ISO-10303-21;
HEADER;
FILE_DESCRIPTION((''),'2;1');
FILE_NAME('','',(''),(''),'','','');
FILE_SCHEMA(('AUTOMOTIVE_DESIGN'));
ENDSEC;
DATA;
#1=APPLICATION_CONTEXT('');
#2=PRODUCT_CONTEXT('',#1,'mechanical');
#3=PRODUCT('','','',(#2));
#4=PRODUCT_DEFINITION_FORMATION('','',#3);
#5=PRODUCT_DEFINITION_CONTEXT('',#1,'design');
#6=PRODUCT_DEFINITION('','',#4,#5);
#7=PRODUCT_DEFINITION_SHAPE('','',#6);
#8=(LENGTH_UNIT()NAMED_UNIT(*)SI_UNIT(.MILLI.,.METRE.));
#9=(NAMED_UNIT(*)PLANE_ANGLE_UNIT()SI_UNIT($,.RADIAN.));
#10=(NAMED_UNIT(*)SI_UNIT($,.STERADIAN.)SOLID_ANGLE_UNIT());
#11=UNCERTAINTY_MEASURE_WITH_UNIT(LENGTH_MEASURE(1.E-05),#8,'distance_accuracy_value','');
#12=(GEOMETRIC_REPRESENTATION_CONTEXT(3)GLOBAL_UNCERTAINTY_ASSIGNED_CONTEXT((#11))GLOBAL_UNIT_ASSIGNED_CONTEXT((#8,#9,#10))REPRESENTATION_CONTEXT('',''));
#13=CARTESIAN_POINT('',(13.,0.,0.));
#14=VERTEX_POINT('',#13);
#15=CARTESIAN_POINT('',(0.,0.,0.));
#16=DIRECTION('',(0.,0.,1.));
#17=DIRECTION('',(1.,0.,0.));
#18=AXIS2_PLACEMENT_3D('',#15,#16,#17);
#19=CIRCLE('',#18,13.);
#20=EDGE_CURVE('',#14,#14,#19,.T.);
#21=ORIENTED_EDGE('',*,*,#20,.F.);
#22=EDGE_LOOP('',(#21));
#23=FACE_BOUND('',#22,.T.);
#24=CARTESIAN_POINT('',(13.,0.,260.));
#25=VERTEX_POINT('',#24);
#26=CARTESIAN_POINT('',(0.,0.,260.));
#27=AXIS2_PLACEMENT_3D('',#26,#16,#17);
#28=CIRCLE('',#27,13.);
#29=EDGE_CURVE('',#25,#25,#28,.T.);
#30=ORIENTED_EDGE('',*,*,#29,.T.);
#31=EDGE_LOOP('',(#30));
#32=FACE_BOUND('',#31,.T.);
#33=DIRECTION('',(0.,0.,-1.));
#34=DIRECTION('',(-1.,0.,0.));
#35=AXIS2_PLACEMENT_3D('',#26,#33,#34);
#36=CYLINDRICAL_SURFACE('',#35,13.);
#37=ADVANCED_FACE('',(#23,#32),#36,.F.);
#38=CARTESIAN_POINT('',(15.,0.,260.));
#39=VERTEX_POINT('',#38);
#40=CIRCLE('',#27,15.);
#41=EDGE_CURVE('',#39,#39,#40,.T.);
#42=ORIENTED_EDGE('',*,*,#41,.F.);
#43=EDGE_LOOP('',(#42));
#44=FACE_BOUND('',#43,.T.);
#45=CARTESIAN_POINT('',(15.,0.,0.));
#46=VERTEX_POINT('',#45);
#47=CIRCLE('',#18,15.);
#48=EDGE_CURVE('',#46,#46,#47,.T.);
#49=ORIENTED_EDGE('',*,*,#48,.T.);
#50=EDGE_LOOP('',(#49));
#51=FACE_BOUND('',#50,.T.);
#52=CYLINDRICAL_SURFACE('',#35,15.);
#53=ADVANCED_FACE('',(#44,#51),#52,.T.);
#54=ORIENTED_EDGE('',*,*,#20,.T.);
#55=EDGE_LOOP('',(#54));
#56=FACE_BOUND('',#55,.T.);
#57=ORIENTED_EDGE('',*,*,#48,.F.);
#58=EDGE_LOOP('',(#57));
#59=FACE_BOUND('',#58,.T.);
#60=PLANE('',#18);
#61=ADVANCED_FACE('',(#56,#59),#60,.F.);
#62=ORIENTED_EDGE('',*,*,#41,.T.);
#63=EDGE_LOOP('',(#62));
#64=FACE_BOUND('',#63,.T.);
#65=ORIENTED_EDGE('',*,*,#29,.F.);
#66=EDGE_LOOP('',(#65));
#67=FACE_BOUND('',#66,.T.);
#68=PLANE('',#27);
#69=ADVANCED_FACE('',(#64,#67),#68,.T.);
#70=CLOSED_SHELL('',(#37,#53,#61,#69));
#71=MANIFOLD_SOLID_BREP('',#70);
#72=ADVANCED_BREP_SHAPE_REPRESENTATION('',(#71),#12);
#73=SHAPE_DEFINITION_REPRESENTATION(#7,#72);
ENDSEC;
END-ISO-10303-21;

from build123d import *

# Parameters (mm, degrees)
SKETCH_1_R      = 15
SKETCH_1_R_2    = 13
EXTRUDE_1_DEPTH = 260


with BuildPart() as part:
    # 草图1 → 凸台-拉伸1 (new body)
    with BuildSketch(Plane.XY):
        Circle(SKETCH_1_R)
        Circle(SKETCH_1_R_2, mode=Mode.SUBTRACT)
    extrude(amount=EXTRUDE_1_DEPTH)


solid = part.part
